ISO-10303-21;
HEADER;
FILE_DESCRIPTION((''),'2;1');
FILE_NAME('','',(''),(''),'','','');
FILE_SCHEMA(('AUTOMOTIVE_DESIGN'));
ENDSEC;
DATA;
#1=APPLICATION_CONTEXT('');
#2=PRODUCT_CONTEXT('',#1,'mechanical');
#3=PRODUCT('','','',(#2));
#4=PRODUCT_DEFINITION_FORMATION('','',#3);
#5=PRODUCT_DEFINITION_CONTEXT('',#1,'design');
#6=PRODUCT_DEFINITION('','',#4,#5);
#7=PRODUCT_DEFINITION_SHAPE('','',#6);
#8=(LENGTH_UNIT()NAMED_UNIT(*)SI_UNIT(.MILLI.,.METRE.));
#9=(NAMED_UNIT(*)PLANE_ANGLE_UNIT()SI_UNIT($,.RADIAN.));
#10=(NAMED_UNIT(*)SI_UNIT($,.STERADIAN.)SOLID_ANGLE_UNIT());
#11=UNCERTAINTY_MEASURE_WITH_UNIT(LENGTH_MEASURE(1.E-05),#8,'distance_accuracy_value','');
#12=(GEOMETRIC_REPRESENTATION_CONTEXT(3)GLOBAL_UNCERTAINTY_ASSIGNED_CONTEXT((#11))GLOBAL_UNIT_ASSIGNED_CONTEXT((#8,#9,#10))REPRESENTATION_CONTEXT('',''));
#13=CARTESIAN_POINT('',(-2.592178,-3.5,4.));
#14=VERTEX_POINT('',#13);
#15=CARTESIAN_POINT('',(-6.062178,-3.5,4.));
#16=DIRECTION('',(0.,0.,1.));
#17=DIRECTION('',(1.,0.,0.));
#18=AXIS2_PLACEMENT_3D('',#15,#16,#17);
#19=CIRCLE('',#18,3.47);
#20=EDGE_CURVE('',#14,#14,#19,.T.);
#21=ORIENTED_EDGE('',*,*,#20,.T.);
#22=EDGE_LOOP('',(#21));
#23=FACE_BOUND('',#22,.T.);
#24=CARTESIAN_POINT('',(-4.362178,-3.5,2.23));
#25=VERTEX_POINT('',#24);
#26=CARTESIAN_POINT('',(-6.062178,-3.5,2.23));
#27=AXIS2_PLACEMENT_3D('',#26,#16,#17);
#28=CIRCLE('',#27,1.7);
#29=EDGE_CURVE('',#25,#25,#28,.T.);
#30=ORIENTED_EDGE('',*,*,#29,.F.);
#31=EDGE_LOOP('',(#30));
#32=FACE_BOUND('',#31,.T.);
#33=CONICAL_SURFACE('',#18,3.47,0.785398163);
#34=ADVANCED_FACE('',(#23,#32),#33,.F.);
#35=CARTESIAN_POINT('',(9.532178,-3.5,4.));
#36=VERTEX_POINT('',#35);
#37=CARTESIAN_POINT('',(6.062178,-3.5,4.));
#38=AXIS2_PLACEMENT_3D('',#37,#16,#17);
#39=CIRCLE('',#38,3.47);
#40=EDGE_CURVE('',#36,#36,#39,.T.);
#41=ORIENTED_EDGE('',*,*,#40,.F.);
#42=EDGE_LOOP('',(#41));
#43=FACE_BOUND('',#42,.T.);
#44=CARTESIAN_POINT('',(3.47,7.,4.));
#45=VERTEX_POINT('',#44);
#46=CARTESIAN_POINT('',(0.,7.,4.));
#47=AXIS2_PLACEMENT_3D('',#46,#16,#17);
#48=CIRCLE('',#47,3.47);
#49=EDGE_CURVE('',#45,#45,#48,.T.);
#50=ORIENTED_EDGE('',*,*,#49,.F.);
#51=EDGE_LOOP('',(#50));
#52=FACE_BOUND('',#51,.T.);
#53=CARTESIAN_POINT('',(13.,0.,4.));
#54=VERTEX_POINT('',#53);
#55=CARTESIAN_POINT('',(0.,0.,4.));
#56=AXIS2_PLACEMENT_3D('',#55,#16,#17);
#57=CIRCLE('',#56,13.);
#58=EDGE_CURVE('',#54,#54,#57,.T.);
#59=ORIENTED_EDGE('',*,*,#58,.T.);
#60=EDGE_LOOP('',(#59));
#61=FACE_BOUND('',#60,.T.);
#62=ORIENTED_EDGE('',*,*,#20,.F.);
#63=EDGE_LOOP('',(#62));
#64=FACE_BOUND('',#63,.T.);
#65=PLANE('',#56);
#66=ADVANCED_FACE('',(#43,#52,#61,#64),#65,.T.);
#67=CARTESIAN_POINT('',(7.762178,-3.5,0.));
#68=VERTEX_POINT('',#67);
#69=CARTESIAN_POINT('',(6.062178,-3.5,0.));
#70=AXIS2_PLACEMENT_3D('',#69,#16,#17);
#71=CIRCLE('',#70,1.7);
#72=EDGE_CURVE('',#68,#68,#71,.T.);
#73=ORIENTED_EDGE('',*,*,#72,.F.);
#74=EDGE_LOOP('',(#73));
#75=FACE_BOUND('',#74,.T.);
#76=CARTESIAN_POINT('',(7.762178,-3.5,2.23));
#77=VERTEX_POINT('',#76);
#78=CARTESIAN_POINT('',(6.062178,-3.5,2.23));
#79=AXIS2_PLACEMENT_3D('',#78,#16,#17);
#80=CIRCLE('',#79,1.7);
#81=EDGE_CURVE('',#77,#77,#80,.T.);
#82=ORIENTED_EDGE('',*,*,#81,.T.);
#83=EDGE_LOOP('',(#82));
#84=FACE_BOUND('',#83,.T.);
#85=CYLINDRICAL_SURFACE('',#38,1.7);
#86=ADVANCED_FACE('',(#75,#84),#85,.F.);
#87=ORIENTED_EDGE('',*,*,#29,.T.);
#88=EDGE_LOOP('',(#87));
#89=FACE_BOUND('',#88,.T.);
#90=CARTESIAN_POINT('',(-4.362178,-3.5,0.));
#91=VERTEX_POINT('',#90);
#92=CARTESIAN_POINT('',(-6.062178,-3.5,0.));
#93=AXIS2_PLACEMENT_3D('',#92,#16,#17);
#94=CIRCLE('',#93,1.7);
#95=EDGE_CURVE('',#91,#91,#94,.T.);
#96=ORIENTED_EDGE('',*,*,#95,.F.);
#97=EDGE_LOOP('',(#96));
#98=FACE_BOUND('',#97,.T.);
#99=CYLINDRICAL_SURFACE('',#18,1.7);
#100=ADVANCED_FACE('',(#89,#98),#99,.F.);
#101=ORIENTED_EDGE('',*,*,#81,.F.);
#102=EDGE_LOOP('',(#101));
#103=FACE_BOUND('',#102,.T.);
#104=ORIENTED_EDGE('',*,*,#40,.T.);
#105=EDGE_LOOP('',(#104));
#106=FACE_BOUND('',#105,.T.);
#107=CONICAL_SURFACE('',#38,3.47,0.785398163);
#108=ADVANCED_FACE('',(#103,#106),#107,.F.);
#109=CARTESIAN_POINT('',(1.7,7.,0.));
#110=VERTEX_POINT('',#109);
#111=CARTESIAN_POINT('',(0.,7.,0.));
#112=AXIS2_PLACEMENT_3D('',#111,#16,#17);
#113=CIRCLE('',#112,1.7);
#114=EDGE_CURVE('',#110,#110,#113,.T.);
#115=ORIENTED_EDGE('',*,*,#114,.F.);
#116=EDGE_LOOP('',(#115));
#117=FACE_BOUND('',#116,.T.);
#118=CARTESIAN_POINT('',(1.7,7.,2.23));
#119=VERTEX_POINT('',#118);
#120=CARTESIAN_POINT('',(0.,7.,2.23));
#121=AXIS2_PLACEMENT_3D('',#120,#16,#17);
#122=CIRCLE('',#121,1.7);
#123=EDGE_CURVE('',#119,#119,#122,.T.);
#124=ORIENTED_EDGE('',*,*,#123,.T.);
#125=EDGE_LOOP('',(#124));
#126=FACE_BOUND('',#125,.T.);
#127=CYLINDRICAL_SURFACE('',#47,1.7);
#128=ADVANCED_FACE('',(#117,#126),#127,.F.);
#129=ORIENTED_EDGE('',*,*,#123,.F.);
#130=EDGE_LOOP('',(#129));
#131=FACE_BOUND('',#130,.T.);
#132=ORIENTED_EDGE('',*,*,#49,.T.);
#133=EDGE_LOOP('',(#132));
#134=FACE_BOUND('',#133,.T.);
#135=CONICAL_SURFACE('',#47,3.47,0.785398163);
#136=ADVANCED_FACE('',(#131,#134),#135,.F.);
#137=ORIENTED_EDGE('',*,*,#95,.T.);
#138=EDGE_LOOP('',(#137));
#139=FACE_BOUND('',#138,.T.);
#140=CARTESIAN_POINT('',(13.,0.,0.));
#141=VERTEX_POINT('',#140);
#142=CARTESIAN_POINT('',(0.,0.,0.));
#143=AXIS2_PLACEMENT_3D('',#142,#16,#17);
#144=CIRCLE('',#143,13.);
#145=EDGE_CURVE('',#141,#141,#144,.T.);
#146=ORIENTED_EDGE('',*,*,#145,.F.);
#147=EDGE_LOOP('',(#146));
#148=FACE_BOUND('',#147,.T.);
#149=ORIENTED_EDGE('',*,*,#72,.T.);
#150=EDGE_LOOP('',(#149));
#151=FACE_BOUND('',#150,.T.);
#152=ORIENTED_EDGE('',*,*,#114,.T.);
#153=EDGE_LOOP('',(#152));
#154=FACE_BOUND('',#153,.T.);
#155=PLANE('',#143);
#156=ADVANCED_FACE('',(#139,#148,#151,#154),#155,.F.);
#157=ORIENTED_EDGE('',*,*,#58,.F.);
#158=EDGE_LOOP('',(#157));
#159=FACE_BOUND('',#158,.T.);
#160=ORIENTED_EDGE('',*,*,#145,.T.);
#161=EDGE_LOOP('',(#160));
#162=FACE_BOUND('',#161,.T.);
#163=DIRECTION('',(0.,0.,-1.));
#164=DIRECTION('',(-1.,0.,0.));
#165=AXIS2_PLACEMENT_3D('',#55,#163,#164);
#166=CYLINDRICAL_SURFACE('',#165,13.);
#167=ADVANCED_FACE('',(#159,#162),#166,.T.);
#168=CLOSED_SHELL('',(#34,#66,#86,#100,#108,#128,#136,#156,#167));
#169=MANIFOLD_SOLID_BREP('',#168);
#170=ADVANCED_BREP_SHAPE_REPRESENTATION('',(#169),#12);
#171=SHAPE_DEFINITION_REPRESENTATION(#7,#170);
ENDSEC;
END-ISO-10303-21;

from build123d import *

# Parameters (mm, degrees)
SKETCH1_R                                            = 13
BOSS_EXTRUDE1_DEPTH                                  = 4
CSK_FOR_M3_HEX_SOCKET_COUNTERSUNK_HEAD_S_D           = 3.4
CSK_FOR_M3_HEX_SOCKET_COUNTERSUNK_HEAD_S_DEPTH       = 12
CSK_FOR_M3_HEX_SOCKET_COUNTERSUNK_HEAD_S_CSINK_D     = 6.94
CSK_FOR_M3_HEX_SOCKET_COUNTERSUNK_HEAD_S_CSINK_ANGLE = 90
CSK_FOR_M3_HEX_SOCKET_COUNTERSUNK_HEAD_S_TIP         = 1.021463052


with BuildPart() as part:
    # Sketch1 → Boss-Extrude1 (new body)
    with BuildSketch(Plane.XY):
        Circle(SKETCH1_R)
    extrude(amount=BOSS_EXTRUDE1_DEPTH)

    # CSK for M3 Hex Socket Countersunk Head Screw1
    with Locations(Plane.XY.offset(4)):
        with Locations((0, 7), (6.062177826, -3.5), (-6.062177826, -3.5)):
            CounterSinkHole(CSK_FOR_M3_HEX_SOCKET_COUNTERSUNK_HEAD_S_D / 2, CSK_FOR_M3_HEX_SOCKET_COUNTERSUNK_HEAD_S_CSINK_D / 2, depth=CSK_FOR_M3_HEX_SOCKET_COUNTERSUNK_HEAD_S_DEPTH, counter_sink_angle=CSK_FOR_M3_HEX_SOCKET_COUNTERSUNK_HEAD_S_CSINK_ANGLE)
            with Locations((0, 0, -(CSK_FOR_M3_HEX_SOCKET_COUNTERSUNK_HEAD_S_DEPTH + CSK_FOR_M3_HEX_SOCKET_COUNTERSUNK_HEAD_S_TIP / 2))):  # 118° drill point
                Cone(0, CSK_FOR_M3_HEX_SOCKET_COUNTERSUNK_HEAD_S_D / 2, CSK_FOR_M3_HEX_SOCKET_COUNTERSUNK_HEAD_S_TIP, mode=Mode.SUBTRACT)


solid = part.part
